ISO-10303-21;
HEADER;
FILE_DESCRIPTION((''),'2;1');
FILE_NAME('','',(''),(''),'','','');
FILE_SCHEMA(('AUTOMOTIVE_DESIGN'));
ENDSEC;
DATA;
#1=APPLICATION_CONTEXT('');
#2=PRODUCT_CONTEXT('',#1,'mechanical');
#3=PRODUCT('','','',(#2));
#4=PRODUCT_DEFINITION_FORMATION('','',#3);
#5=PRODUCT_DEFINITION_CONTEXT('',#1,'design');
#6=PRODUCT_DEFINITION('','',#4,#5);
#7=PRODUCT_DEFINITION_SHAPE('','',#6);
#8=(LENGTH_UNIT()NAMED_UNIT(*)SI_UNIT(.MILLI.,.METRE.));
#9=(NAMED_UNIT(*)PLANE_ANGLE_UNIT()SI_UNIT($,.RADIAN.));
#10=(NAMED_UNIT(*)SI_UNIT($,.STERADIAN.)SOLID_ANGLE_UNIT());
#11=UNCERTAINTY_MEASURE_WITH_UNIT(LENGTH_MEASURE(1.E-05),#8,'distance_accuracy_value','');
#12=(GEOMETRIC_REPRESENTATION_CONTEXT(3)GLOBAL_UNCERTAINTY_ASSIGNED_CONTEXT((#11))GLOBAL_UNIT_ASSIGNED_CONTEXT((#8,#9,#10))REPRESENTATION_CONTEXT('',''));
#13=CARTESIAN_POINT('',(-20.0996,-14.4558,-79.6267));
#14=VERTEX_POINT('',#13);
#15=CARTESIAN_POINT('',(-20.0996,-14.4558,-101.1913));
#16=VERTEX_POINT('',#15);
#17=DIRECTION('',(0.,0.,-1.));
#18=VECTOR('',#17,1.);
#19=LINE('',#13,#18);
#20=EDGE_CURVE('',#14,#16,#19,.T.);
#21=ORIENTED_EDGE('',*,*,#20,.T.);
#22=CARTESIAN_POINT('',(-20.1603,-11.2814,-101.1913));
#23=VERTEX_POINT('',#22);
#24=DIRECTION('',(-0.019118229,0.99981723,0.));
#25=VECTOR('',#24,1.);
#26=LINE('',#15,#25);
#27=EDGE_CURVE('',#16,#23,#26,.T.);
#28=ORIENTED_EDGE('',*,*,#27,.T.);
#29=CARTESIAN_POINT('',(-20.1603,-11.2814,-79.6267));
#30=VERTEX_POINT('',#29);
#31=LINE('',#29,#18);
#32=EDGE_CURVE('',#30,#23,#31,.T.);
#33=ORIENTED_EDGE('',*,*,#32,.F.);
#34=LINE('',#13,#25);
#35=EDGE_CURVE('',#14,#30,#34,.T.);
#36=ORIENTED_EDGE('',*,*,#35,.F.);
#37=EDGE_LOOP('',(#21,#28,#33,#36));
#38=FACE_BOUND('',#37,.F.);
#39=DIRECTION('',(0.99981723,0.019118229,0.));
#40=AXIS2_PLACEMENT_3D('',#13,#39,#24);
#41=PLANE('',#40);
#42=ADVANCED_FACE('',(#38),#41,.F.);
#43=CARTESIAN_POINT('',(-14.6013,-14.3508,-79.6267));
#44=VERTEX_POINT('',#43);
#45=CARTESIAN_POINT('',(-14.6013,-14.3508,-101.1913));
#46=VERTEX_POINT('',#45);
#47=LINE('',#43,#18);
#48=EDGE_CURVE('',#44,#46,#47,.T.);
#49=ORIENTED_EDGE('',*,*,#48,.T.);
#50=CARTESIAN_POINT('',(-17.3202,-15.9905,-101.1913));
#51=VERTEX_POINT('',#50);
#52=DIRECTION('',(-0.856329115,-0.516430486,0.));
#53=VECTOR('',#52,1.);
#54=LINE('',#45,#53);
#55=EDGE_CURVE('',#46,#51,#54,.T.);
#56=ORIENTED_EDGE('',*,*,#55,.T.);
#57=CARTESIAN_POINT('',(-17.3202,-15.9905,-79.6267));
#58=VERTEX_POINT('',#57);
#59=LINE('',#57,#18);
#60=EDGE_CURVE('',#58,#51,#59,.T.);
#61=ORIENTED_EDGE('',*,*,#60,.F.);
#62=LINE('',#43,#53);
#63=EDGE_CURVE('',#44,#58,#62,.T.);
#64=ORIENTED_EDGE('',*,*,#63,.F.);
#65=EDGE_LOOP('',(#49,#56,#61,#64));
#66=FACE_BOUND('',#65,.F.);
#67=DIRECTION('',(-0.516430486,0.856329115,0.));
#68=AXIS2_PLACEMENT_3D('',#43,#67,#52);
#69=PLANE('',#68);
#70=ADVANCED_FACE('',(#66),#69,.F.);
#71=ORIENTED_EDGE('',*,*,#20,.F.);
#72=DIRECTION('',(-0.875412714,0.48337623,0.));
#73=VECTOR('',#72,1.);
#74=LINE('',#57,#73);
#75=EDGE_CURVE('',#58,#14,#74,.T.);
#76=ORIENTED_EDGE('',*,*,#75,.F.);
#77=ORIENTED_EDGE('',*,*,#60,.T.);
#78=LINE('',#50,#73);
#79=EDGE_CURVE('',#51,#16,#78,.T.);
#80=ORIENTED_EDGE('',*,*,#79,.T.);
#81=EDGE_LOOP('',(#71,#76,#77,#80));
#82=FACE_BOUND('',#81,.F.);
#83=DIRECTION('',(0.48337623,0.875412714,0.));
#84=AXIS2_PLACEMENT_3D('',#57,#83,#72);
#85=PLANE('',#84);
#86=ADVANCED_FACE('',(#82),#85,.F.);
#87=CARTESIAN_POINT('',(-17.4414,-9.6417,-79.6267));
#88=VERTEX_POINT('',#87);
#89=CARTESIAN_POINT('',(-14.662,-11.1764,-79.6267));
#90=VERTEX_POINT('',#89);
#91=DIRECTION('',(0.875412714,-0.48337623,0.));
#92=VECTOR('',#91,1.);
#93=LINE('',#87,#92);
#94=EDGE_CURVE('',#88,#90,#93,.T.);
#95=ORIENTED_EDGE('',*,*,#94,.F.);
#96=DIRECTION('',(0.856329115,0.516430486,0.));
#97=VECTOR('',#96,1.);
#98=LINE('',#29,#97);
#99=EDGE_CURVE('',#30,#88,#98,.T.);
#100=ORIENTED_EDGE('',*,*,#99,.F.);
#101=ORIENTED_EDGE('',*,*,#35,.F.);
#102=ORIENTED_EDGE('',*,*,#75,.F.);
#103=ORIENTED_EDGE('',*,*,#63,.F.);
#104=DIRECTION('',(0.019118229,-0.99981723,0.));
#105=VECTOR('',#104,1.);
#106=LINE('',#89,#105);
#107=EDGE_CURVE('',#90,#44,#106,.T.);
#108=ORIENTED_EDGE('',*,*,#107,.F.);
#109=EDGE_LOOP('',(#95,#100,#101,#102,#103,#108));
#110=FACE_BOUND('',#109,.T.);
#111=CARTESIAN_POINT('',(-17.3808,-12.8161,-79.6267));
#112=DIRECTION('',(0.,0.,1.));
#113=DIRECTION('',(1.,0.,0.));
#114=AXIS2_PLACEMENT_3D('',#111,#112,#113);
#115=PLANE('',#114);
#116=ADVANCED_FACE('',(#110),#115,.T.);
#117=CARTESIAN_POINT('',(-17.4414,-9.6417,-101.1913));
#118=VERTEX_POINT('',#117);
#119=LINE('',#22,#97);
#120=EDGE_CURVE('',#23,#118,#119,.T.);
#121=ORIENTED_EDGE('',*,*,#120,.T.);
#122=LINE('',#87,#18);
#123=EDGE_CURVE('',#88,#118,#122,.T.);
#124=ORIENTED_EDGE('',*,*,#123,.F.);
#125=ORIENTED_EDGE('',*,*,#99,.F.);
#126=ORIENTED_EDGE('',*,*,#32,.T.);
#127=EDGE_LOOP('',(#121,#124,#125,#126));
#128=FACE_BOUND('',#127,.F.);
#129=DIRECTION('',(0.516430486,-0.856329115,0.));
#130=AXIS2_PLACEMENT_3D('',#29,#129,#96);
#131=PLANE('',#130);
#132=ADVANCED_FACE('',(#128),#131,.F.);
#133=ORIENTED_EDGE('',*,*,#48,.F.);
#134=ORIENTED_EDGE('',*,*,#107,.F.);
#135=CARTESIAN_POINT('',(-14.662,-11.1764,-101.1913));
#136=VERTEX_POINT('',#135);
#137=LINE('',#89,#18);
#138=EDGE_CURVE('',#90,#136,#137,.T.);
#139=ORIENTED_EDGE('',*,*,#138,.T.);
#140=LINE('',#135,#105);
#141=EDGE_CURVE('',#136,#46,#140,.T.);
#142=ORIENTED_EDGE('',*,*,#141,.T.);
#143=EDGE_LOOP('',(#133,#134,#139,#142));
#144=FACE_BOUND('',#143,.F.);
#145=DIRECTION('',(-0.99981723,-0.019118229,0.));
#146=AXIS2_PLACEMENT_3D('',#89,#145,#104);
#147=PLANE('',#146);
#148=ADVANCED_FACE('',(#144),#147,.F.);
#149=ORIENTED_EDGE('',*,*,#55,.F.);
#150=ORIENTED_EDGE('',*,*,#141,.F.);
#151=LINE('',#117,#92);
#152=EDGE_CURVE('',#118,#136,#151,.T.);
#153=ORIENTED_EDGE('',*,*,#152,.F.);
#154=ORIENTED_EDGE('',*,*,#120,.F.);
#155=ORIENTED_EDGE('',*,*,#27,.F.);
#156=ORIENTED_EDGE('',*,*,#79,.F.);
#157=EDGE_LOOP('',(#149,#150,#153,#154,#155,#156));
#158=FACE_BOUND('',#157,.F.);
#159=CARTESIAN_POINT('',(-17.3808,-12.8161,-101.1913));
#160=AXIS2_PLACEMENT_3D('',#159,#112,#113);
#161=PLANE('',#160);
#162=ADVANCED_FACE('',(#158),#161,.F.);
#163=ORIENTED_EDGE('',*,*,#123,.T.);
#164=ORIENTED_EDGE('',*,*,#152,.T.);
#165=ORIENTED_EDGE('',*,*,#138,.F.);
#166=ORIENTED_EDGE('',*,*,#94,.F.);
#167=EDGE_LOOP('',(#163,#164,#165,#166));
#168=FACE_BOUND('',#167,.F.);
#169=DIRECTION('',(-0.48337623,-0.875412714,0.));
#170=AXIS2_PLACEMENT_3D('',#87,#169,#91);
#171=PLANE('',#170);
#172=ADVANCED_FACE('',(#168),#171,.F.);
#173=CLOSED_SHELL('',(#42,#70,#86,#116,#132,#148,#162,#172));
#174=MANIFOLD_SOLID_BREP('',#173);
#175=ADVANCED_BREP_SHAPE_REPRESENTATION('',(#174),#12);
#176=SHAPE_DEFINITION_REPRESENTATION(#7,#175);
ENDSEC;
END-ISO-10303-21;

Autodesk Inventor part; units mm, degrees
ref_plane "YZ Plane" through (0, 0, 0) normal (1, 0, 0) x (0, 1, 0)
ref_plane "XZ Plane" through (0, 0, 0) normal (0, 1, 0) x (-1, 0, 0)
ref_plane "Work Plane1" through (-17.3808, -12.8161, -79.6267) normal (0, 0, 1) x (1, 0, 0)
sketch "Sketch2" plane through (-17.3808, -12.8161, -79.6267) normal (0, 0, 1) x (1, 0, 0)
  circle A0 centre (0, 0) radius 3.175 projected
  line L0 (2.7795, -1.5347) -> (0.0606, -3.1744)
  line L1 (0.0606, -3.1744) -> (-2.7188, -1.6397)
  line L2 (-2.7188, -1.6397) -> (-2.7795, 1.5347)
  line L3 (-2.7795, 1.5347) -> (-0.0606, 3.1744)
  line L4 (-0.0606, 3.1744) -> (2.7188, 1.6397)
  line L5 (2.7188, 1.6397) -> (2.7795, -1.5347)
  point P0 (17.3808, 12.8161)
ref_plane "Work Plane2" through (-16.1743, -15.6151, -101.1913) normal (0, 0, -1) x (0, 1, 0)
extrude "Extrusion1" add sketch "Sketch2" against normal up to surface (21.5646 mm away) contours L5 L0 L1 L2 L3 L4
properties part number "ArmSolenoidShaftBoundingBox"
